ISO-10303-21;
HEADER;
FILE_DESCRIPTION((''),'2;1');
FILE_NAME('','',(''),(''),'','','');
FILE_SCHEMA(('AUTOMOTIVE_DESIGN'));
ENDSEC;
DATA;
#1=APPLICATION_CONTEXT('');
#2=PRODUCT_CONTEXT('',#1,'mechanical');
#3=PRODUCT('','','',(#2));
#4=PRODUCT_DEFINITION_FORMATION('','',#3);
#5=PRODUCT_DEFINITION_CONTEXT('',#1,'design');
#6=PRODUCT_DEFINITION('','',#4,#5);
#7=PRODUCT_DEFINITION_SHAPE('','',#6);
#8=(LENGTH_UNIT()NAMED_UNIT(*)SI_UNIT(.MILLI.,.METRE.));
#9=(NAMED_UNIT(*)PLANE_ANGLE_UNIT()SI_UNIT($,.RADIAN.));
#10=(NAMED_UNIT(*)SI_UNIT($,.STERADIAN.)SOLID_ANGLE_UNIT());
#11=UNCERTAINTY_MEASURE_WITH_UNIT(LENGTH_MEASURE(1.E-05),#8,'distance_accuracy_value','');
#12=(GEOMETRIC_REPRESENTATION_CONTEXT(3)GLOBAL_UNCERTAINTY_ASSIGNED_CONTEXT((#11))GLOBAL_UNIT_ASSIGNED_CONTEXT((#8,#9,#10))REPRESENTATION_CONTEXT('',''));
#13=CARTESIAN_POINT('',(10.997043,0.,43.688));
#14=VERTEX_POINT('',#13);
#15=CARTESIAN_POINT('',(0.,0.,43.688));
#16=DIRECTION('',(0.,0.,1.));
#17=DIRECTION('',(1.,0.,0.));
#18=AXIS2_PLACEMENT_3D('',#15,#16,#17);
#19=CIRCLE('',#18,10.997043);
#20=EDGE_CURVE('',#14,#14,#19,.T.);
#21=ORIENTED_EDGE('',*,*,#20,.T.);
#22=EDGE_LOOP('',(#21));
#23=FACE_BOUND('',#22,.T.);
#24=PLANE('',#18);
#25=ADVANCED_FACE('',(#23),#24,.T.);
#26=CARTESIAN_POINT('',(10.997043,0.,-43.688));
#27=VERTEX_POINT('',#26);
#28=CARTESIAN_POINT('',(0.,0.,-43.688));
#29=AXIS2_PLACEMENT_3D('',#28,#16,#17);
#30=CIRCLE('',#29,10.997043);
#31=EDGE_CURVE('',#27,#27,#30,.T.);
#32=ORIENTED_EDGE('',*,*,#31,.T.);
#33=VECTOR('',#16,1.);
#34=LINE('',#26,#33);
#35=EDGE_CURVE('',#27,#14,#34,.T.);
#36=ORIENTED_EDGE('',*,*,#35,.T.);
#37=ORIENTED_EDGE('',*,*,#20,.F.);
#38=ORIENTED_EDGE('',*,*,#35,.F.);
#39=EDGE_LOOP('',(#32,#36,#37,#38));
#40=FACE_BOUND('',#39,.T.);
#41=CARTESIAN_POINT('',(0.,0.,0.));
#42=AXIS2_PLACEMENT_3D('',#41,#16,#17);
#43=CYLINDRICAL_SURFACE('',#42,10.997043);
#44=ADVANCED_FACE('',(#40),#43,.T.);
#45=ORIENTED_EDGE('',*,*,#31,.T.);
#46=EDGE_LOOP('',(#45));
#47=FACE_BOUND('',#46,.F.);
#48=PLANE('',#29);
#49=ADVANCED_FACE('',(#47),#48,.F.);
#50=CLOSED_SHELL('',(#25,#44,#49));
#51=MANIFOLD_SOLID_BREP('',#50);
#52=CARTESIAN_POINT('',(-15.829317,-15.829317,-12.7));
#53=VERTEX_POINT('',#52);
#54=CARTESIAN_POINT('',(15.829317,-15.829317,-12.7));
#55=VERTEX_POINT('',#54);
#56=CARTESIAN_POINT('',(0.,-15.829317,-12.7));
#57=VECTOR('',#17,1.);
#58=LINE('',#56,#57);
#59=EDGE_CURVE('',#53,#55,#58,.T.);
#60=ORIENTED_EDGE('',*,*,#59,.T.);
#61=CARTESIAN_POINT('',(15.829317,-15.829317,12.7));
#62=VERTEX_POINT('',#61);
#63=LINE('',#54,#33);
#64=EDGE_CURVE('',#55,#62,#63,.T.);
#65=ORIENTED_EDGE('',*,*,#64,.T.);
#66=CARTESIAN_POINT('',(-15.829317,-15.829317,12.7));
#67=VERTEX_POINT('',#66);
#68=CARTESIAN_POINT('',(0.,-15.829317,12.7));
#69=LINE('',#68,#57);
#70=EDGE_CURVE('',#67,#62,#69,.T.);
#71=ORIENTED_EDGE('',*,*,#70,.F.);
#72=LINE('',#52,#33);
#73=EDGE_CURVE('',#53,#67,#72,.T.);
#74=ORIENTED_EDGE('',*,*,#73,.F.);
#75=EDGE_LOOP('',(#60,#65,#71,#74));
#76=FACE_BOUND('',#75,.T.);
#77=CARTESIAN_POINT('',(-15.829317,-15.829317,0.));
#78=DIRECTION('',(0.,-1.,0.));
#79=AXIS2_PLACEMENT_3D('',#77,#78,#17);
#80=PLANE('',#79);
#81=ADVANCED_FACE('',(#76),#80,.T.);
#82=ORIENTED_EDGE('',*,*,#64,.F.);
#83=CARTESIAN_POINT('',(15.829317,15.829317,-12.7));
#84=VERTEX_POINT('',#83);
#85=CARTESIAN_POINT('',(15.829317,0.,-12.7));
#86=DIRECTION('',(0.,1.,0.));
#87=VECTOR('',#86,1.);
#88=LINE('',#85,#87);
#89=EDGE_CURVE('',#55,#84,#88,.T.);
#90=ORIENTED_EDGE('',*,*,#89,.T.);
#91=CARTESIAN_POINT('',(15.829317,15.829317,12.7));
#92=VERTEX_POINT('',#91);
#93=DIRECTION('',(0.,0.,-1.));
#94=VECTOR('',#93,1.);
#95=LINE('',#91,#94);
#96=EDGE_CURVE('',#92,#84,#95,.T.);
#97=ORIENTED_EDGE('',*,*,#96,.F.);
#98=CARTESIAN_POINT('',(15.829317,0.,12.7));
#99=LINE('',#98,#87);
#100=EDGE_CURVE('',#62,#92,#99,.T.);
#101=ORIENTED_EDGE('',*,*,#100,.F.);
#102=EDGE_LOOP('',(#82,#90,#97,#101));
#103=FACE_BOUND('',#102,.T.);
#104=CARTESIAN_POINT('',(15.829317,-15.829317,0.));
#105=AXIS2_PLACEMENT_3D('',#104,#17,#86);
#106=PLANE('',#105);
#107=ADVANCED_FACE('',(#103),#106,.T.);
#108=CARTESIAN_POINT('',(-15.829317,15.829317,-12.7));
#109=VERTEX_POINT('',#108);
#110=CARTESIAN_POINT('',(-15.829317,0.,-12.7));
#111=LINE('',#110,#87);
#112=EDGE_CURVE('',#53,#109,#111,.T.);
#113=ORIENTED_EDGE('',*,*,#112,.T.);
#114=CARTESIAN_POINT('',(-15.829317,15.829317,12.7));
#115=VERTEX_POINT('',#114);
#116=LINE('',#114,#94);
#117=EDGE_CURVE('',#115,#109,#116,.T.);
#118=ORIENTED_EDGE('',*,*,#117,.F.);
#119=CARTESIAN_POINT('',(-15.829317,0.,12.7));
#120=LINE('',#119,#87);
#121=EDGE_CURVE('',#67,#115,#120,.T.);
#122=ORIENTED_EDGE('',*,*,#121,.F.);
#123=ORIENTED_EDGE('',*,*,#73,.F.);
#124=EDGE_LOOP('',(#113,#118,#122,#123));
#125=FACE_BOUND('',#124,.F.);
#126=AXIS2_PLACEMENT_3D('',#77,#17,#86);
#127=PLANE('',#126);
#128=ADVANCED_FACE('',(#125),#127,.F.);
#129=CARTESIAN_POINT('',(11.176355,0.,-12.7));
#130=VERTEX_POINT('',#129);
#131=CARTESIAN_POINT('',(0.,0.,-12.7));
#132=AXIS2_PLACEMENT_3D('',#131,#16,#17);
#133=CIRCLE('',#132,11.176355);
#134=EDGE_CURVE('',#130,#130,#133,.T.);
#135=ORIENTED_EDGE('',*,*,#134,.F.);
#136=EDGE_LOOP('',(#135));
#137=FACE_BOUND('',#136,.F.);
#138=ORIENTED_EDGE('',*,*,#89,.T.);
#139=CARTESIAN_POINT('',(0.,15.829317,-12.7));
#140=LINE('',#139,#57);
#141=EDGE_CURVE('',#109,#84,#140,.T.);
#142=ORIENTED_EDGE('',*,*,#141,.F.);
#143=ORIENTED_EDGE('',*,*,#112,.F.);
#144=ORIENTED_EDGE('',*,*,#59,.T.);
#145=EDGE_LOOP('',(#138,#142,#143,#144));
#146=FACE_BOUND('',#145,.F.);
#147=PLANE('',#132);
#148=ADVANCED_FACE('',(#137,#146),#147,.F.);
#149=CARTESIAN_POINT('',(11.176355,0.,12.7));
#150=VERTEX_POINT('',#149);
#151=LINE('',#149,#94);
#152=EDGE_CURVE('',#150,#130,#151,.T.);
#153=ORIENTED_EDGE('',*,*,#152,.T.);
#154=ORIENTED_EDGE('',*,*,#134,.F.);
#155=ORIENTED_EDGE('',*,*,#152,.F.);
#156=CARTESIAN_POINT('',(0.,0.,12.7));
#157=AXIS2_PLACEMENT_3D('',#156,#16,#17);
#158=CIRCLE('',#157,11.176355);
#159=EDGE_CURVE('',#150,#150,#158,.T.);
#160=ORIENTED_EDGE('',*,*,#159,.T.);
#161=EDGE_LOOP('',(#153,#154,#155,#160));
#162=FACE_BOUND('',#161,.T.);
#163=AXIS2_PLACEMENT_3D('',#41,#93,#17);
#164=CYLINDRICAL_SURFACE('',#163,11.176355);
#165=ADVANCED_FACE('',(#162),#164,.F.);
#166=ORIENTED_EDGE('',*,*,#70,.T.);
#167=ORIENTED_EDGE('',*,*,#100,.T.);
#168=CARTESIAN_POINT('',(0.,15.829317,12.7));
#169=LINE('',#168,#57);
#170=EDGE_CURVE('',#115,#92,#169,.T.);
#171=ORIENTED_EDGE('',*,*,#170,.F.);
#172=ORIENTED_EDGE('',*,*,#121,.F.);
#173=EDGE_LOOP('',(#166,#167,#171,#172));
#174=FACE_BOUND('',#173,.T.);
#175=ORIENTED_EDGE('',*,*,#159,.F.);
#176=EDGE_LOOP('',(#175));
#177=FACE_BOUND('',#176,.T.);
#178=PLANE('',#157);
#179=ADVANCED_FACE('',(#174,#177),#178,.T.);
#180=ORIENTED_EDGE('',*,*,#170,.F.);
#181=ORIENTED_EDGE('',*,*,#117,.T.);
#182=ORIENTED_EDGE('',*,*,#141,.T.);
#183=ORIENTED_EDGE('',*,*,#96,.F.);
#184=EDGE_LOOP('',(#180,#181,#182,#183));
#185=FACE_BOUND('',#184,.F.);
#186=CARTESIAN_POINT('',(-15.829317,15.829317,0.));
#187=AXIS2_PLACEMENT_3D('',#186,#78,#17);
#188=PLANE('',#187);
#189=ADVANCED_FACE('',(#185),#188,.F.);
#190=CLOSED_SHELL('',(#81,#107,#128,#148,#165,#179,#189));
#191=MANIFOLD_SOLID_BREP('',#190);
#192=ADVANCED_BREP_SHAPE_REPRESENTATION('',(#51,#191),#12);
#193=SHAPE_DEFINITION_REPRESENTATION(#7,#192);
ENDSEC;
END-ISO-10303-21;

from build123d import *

# Parameters (mm, degrees)
F0_W     = 31.658634
F0_H     = 31.658634
F0_R     = 11.176355
F1_DEPTH = 12.7
F2_R     = 10.997043
F3_DEPTH = 43.688


with BuildPart() as f1:
    # F0 (on Top) → F1 (new body, symmetric)
    with BuildSketch(Plane.XY):
        Rectangle(F0_W, F0_H)
        Circle(F0_R, mode=Mode.SUBTRACT)
    extrude(amount=F1_DEPTH, both=True)


with BuildPart() as f3:
    # F2 (on Top) → F3 (new body, symmetric)
    with BuildSketch(Plane.XY):
        Circle(F2_R)
    extrude(amount=F3_DEPTH, both=True)


solid = Compound([f1.part, f3.part])
